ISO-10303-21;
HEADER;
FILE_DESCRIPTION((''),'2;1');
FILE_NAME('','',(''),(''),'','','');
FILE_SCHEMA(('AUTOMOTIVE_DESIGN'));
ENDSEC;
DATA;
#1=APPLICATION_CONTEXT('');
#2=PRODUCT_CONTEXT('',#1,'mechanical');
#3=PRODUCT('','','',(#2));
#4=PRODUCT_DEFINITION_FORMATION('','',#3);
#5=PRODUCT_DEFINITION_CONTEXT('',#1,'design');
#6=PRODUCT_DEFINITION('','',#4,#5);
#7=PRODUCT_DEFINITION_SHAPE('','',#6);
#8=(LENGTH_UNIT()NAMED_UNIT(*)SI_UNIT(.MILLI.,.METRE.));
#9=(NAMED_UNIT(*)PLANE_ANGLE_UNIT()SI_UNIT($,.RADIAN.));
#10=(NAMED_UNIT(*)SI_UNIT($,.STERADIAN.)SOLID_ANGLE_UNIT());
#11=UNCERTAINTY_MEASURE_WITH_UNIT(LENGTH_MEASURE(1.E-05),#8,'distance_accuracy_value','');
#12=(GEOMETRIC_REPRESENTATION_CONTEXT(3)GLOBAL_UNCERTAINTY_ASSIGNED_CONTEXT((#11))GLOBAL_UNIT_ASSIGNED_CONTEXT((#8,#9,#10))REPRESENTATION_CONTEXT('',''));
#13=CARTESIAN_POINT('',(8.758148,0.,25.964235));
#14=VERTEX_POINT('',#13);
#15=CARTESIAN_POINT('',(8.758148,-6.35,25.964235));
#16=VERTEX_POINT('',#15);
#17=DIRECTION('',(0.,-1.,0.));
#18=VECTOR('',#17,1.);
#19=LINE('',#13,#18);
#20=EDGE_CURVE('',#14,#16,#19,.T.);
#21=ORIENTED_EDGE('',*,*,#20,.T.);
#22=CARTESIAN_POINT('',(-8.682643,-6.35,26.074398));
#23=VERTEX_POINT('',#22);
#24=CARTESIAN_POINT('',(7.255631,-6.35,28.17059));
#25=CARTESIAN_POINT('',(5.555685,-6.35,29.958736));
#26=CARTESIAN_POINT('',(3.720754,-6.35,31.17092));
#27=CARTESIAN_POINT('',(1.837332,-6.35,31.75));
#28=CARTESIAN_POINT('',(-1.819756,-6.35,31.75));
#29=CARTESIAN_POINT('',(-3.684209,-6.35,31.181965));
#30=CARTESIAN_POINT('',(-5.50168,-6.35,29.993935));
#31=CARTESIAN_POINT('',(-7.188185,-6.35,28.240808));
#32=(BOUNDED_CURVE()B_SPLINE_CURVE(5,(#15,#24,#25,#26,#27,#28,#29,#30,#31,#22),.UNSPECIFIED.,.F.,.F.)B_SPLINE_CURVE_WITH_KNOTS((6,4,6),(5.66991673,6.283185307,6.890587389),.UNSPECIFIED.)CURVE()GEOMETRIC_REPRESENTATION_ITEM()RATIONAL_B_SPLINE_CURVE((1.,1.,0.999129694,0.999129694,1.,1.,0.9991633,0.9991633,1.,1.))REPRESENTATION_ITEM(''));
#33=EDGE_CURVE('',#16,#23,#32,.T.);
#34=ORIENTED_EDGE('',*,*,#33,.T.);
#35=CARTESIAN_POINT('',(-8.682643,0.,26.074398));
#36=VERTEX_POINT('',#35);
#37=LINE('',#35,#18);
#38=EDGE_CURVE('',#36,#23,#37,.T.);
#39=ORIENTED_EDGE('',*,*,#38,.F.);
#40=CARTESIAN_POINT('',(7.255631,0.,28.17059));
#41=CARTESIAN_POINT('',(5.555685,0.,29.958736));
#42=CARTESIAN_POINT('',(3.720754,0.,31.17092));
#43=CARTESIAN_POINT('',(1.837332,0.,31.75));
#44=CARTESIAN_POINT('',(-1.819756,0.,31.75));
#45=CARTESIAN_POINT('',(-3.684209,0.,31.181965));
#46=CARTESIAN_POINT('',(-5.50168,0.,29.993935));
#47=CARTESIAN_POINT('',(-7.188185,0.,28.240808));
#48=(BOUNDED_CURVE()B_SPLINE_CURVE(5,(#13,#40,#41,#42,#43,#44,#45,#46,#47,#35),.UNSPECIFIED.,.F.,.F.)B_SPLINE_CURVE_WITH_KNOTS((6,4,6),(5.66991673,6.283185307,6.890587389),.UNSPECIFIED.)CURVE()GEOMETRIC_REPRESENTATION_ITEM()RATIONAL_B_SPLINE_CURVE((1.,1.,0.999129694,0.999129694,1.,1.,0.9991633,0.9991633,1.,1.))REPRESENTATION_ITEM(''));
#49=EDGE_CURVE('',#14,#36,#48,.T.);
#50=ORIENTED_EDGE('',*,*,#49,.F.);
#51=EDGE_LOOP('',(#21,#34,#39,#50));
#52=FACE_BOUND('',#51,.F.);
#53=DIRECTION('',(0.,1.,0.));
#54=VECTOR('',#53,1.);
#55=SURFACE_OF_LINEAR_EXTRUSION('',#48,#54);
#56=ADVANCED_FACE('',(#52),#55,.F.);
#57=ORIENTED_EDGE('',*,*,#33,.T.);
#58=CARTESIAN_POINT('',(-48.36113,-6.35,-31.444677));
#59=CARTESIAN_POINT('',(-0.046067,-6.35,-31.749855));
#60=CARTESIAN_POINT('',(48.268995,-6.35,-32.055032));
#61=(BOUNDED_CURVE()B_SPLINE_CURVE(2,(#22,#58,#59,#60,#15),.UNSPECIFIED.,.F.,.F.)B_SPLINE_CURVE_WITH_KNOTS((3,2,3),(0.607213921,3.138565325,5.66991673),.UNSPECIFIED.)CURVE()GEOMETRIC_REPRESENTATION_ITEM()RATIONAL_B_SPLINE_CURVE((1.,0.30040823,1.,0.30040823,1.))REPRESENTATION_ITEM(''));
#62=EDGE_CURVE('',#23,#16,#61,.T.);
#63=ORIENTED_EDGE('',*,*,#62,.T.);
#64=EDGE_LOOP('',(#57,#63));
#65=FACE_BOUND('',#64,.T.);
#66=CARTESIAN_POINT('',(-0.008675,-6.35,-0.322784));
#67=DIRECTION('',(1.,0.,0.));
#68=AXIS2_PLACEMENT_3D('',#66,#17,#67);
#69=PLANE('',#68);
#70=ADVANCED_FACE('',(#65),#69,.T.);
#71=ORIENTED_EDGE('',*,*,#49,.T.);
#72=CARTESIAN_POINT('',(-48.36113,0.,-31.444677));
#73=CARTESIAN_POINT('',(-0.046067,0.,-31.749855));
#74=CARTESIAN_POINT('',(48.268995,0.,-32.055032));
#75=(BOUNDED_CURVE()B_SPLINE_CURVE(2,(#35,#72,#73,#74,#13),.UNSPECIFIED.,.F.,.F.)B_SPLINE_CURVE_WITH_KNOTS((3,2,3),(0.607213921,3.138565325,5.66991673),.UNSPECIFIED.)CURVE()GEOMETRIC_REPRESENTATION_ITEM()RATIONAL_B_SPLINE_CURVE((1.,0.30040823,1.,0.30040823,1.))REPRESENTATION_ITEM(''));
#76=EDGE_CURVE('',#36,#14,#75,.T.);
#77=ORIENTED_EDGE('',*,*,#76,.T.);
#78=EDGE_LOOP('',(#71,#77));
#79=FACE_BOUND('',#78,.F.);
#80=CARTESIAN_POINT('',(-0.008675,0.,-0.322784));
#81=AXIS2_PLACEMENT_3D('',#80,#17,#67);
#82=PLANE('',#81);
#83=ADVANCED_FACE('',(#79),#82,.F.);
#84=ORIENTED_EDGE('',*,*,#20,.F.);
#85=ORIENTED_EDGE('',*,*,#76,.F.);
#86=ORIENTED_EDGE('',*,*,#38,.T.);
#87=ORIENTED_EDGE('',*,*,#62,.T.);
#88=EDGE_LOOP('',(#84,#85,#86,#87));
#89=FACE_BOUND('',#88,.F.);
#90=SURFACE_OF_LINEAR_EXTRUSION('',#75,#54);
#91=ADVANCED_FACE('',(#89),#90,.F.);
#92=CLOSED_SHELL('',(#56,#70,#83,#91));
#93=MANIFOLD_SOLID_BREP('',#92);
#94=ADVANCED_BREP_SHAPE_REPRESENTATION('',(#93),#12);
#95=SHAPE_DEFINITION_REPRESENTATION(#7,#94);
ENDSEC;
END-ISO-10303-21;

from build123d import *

# Parameters (mm, degrees)
F1_DEPTH = 6.35


with BuildPart() as f1:
    # F0 (on Front) → F1 (new body)
    with BuildSketch(Plane.XZ):
        with BuildLine():
            add(Edge.make_bspline(
                [(-8.682643097, 26.0743982187), (-48.3611295916, -31.4446766819), (-0.0460673293, -31.7498545102), (48.268994933, -32.0550323386), (8.7581483517, 25.9642349982)],
                knots=[0.6072139207, 0.6072139207, 0.6072139207, 3.1385653252, 3.1385653252, 5.6699167296, 5.6699167296, 5.6699167296], degree=2, weights=[1, 0.3004082304, 1, 0.3004082304, 1]))
            Line((8.7581483517, 25.9642349982), (-8.682643097, 25.9642349982))
            Line((-8.682643097, 25.9642349982), (-8.682643097, 26.0743982187))
        make_face()
        with BuildLine():
            Line((-8.682643097, 25.9642349982), (8.7581483517, 25.9642349982))
            add(Edge.make_bspline(
                [(8.7581483517, 25.9642349982), (4.8180697565, 31.75), (0, 31.75)],
                knots=[5.6699167296, 5.6699167296, 5.6699167296, 6.2831853072, 6.2831853072, 6.2831853072], degree=2, weights=[1, 0.9533549132, 1]))
            add(Edge.make_bspline(
                [(0, 31.75), (-4.7674325513, 31.75), (-8.682643097, 26.0743982187)],
                knots=[0, 0, 0, 0.6072139207, 0.6072139207, 0.6072139207], degree=2, weights=[1, 0.9542643472, 1]))
            Line((-8.682643097, 26.0743982187), (-8.682643097, 25.9642349982))
        make_face()
    extrude(amount=F1_DEPTH)


solid = f1.part
